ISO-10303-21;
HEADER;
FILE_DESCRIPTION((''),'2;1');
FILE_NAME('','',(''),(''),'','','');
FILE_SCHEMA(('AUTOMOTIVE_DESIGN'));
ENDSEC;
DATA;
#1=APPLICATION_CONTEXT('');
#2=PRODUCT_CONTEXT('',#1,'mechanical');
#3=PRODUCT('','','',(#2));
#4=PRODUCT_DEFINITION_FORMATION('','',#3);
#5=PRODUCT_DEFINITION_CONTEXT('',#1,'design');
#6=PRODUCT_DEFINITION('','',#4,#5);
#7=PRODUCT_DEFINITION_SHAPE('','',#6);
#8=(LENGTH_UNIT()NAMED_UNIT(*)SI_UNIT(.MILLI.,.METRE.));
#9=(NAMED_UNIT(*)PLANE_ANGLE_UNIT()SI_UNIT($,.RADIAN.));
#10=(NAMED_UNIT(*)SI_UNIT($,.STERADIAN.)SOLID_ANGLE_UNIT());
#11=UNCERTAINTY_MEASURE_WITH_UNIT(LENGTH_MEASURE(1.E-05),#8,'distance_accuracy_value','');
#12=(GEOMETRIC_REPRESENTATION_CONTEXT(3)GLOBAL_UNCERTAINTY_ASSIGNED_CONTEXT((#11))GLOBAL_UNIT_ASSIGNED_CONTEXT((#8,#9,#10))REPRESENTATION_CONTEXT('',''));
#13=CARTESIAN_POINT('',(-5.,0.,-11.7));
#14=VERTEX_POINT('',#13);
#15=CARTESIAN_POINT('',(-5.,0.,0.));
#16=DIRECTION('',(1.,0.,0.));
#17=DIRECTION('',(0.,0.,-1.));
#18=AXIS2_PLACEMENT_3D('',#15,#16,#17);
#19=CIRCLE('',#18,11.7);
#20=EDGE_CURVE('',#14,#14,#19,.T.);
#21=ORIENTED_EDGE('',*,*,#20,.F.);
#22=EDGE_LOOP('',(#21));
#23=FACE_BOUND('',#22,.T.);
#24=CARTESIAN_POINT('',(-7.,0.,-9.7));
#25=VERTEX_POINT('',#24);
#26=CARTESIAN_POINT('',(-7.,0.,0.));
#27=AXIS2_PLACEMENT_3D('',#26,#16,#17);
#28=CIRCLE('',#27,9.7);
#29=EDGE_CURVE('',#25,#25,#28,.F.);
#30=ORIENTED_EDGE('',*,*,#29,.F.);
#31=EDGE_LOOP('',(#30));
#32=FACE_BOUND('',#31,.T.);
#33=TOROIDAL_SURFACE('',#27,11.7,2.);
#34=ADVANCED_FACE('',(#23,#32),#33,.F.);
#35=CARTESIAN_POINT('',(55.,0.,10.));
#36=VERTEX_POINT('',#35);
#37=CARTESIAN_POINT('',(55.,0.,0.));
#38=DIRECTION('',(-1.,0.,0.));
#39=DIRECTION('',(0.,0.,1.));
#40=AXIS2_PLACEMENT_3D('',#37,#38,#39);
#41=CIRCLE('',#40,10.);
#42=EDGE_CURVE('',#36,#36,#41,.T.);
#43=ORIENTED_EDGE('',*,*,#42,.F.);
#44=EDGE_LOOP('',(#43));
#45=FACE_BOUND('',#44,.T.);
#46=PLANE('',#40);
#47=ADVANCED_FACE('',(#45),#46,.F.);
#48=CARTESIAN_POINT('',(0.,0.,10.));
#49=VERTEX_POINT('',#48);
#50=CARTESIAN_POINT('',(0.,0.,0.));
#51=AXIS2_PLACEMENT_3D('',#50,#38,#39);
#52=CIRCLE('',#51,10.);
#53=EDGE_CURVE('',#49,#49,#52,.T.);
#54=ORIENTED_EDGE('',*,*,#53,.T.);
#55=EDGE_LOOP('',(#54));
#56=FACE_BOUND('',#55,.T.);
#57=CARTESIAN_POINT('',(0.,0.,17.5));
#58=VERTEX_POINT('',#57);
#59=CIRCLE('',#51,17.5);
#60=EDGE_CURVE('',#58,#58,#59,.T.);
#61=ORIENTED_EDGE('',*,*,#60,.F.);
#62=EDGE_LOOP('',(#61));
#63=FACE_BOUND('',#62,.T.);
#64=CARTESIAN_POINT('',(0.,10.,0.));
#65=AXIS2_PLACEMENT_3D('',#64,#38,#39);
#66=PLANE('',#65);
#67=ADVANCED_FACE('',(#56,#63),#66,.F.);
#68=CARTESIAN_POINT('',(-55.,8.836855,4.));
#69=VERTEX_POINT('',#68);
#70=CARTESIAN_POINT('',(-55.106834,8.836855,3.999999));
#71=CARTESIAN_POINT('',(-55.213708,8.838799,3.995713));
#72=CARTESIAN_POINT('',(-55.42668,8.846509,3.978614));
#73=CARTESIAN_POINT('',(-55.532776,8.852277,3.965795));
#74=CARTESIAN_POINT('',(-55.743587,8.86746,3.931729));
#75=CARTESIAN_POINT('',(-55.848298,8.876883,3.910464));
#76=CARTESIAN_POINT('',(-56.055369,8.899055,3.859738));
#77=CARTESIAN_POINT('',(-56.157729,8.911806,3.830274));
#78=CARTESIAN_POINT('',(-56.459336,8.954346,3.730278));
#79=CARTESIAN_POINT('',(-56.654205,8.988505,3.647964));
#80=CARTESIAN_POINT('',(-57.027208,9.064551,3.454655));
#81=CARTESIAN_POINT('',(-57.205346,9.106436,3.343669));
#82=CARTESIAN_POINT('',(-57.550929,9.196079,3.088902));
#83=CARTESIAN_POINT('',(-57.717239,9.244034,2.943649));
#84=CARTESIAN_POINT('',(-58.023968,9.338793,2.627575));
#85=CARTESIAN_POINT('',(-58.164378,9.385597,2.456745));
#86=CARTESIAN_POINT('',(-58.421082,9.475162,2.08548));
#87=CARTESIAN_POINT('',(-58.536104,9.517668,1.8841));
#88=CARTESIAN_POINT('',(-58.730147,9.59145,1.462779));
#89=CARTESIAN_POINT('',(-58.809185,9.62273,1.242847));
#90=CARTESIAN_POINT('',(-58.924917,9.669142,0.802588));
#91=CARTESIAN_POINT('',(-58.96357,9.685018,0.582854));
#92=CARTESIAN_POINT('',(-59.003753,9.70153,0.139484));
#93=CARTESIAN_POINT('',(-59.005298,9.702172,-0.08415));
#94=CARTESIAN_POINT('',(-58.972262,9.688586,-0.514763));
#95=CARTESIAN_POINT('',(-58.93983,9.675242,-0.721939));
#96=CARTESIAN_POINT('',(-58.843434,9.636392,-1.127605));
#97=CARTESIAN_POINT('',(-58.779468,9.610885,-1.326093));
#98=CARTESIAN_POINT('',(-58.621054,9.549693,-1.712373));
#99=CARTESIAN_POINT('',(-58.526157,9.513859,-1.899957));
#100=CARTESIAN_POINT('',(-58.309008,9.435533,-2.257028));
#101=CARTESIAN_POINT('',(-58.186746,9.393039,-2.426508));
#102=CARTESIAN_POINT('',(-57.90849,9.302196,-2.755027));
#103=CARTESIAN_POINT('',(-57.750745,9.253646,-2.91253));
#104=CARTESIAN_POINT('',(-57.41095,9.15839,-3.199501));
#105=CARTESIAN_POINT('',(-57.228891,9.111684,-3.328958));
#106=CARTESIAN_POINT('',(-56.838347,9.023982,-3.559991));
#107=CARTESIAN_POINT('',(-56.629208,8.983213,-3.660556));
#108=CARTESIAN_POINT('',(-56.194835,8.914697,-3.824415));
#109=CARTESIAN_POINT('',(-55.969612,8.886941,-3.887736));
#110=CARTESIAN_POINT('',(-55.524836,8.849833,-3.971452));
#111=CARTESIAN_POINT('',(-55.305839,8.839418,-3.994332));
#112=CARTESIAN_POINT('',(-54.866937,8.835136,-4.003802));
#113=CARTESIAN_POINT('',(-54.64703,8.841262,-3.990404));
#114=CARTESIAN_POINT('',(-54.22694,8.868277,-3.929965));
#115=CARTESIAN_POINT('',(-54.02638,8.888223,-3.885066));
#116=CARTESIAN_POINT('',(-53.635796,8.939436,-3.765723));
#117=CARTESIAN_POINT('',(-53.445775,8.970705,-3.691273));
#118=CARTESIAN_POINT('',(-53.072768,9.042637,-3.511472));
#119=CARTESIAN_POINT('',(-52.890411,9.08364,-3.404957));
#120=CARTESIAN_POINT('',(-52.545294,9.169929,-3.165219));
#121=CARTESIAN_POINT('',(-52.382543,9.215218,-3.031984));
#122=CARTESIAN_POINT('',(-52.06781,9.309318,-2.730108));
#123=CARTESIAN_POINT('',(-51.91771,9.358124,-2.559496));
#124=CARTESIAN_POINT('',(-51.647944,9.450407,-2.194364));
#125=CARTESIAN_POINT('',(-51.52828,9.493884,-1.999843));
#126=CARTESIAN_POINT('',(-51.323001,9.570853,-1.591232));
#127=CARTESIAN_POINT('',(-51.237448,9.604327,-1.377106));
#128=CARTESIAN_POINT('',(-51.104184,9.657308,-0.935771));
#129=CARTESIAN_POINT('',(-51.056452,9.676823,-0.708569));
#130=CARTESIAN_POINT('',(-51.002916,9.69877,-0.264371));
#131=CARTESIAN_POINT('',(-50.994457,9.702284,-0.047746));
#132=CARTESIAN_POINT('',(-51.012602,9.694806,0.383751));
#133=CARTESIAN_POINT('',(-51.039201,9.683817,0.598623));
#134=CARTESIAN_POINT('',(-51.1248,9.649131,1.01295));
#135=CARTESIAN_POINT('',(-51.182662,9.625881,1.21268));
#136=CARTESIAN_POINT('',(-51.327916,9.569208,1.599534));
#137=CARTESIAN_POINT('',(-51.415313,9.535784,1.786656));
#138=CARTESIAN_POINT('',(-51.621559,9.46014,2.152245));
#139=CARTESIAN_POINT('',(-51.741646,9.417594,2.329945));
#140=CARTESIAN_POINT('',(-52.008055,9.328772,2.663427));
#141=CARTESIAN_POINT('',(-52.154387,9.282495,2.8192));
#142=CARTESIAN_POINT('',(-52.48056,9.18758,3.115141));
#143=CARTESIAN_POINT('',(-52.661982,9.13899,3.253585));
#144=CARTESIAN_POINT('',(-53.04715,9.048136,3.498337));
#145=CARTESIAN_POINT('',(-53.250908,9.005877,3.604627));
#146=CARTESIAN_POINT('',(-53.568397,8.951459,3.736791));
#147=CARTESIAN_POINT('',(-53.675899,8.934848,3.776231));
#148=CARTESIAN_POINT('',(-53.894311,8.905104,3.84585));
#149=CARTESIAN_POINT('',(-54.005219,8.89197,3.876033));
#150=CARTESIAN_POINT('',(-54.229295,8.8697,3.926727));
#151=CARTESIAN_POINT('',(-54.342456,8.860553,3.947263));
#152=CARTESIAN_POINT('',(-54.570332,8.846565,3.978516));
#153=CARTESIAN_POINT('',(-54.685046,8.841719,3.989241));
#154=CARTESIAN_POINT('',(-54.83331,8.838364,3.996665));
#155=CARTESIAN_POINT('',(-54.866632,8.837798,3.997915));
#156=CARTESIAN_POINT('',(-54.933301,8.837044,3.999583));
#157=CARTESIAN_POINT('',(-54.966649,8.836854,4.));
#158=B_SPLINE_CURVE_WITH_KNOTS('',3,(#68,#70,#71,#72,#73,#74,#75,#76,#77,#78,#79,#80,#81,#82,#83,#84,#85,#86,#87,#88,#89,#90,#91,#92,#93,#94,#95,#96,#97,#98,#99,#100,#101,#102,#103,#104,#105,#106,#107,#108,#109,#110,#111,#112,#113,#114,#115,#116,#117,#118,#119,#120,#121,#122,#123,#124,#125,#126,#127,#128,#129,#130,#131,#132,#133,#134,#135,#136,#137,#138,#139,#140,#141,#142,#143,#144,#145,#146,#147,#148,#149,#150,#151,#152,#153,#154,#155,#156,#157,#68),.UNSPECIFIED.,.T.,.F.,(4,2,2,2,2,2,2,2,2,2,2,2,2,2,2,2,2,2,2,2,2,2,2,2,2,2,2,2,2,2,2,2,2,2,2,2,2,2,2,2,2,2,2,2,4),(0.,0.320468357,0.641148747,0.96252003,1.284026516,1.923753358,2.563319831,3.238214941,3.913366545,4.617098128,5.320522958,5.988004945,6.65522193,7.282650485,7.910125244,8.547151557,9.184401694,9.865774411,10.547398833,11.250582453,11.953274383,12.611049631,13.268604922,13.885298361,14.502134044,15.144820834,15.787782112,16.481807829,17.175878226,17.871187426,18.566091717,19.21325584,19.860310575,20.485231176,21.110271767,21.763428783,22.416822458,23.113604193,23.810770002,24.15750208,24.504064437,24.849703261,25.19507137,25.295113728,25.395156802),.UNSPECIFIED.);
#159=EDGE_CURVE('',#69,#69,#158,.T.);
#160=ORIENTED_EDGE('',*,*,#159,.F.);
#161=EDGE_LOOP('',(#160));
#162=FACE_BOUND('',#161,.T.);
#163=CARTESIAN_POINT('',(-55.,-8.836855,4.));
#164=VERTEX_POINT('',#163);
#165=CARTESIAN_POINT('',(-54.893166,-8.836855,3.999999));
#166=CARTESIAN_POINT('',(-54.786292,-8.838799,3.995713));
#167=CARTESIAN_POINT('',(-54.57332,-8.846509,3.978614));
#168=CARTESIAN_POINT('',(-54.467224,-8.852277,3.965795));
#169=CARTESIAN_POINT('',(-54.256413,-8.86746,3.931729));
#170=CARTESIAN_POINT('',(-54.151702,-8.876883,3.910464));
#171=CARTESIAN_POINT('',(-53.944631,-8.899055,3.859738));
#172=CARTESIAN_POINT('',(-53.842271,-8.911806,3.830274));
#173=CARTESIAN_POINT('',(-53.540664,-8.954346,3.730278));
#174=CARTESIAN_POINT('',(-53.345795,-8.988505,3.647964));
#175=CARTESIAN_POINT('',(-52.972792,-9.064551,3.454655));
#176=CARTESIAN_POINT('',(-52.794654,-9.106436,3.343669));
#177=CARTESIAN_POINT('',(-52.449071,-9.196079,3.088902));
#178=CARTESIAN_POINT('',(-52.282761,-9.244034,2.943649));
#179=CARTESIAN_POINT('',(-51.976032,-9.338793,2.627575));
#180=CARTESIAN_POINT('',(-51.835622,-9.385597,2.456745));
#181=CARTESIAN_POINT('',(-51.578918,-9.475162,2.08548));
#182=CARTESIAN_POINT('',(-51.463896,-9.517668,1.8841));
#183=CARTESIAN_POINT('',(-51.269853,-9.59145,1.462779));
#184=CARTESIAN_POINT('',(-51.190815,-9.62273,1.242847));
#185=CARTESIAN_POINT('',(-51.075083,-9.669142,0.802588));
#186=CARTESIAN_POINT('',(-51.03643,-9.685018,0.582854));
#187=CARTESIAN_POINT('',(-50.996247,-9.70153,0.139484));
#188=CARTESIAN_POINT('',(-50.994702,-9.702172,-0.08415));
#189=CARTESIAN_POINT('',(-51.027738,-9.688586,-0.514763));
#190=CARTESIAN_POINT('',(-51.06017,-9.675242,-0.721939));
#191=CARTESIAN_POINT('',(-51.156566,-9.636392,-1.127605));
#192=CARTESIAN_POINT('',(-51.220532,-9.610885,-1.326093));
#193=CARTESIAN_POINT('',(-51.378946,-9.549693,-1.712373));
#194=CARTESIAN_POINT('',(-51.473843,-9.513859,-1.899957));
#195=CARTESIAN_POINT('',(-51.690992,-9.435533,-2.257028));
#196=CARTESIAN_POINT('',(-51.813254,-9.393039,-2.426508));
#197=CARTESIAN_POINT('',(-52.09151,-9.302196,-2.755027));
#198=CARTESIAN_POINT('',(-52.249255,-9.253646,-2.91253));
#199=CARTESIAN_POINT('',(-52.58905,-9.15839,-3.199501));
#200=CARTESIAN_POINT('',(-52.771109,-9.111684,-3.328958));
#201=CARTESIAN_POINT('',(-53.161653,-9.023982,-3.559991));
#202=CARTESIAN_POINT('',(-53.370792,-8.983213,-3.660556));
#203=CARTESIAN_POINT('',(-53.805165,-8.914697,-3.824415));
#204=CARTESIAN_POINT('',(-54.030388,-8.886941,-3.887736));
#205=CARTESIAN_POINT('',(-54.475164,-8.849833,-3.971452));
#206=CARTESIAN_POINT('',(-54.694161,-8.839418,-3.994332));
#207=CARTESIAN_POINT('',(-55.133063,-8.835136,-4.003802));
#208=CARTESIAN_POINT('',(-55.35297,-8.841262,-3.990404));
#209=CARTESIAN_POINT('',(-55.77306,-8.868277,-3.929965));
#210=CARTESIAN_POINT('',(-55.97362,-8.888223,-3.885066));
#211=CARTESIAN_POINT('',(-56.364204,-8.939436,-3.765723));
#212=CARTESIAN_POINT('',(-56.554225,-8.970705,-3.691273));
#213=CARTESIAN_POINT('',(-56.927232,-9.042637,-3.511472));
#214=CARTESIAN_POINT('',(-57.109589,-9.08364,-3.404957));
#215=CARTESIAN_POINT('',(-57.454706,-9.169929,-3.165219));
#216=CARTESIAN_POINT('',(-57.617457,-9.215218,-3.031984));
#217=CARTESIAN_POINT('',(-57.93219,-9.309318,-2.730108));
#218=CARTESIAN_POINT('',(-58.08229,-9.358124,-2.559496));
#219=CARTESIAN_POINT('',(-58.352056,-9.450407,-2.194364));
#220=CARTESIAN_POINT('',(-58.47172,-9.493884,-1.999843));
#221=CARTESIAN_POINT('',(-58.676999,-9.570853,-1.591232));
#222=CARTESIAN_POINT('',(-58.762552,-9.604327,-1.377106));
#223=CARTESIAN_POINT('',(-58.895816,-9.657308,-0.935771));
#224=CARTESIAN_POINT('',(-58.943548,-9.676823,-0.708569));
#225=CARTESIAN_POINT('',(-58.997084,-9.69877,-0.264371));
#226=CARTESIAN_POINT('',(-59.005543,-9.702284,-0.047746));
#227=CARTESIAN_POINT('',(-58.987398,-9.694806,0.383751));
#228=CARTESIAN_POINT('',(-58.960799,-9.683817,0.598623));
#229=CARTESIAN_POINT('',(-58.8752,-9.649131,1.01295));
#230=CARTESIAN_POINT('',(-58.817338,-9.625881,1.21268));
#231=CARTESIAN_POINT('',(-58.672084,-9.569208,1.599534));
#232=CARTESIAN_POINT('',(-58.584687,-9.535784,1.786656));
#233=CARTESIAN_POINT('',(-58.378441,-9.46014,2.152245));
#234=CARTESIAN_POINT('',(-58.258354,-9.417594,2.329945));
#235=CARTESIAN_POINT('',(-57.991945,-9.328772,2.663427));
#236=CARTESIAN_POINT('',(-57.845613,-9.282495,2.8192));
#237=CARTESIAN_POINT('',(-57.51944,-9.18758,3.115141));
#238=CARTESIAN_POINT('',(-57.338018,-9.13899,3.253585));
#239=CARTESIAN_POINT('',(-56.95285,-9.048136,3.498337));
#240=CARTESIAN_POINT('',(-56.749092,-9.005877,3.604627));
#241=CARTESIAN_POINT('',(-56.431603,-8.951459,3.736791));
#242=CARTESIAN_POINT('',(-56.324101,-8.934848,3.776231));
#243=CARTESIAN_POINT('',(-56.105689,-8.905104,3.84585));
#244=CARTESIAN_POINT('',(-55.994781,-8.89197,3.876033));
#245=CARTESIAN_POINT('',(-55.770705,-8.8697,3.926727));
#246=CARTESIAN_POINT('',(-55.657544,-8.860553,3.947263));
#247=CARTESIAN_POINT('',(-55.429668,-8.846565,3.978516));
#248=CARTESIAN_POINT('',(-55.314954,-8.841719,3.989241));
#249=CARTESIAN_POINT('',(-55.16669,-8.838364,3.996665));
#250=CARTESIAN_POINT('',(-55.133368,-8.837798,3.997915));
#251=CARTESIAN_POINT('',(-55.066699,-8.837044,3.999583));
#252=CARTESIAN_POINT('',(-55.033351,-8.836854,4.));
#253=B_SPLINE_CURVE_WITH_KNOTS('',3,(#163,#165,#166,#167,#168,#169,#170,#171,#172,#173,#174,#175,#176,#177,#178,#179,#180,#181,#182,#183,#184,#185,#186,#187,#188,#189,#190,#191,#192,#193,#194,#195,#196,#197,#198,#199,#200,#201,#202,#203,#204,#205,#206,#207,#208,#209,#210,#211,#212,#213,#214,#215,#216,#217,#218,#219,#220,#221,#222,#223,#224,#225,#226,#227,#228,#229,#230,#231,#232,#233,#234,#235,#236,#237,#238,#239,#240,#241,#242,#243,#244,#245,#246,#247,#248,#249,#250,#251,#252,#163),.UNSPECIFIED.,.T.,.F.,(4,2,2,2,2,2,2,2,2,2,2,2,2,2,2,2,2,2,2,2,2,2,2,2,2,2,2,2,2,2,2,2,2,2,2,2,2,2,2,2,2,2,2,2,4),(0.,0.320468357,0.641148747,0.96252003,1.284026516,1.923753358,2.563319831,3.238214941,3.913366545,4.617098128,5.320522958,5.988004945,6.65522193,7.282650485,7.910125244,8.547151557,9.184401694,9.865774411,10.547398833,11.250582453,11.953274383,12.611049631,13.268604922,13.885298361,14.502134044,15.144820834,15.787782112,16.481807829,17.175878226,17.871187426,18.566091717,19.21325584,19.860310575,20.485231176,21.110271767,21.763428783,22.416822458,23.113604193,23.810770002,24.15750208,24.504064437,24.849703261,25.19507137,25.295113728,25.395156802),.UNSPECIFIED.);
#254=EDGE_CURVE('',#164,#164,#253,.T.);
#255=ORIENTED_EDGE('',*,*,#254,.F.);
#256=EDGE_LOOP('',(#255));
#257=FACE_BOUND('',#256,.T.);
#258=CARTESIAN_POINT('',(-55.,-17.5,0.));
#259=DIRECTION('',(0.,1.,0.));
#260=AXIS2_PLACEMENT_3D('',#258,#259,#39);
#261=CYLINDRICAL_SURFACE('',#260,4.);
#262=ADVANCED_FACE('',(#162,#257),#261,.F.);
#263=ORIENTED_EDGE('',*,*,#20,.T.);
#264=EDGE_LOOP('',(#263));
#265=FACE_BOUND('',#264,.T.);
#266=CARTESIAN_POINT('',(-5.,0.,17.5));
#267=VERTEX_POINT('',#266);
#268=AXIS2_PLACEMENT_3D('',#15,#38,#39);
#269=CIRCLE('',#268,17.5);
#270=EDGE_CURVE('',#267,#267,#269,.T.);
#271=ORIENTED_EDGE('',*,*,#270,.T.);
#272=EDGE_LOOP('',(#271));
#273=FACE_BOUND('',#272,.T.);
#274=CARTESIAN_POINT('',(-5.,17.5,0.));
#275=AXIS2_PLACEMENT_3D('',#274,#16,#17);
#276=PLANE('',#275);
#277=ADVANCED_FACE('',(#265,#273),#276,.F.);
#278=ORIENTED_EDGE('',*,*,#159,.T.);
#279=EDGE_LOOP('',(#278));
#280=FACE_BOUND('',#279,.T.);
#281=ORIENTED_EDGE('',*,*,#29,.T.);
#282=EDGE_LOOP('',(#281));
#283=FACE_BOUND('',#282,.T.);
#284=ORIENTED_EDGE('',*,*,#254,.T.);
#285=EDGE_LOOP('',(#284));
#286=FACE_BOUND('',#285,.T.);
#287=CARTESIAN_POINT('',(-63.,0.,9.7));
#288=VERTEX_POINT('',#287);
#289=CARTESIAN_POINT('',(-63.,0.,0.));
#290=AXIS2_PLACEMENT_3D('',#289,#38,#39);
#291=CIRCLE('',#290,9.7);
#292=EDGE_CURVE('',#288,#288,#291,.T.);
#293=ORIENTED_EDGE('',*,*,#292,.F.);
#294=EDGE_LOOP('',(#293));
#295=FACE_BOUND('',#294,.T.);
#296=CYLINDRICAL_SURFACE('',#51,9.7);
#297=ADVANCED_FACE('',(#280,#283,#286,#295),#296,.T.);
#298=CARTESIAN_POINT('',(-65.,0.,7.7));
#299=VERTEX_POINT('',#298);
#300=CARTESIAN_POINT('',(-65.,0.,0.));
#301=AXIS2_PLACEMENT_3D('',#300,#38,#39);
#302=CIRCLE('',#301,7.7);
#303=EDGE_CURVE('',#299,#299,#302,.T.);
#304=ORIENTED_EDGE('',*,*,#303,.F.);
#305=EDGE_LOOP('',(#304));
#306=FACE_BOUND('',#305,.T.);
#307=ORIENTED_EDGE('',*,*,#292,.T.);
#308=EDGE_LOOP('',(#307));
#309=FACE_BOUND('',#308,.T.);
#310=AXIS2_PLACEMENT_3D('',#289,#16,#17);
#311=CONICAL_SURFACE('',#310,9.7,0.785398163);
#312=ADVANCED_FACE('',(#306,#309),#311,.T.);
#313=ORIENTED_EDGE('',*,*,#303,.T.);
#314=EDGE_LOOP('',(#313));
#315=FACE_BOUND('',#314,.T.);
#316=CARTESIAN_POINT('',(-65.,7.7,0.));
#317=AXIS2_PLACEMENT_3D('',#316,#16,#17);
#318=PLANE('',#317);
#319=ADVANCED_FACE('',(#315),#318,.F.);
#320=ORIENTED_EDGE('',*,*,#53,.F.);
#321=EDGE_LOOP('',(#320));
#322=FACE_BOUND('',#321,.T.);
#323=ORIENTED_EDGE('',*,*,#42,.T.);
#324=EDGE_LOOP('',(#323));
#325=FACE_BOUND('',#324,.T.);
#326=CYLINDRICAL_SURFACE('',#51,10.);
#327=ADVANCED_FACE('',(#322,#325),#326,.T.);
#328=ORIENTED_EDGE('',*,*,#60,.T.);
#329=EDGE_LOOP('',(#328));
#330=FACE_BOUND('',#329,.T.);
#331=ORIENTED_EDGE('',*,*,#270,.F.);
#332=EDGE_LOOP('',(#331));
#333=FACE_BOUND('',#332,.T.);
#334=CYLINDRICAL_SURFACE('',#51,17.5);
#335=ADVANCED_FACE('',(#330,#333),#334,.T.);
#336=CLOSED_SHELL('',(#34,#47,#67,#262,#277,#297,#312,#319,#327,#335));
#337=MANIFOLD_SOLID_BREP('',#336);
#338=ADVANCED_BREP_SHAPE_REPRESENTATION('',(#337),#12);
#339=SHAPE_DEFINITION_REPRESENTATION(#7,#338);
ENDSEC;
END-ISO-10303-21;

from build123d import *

# Parameters (mm, degrees)
CONG_1_R                     = 2
ESQUISSE2_R                  = 4
ENL_V_MAT_EXTRU_1_DEPTH      = 18.5
ENL_V_MAT_EXTRU_1_DEPTH_BACK = 18.5


with BuildPart() as part:
    # Esquisse1 → Révolution1 (revolve)
    with BuildSketch(Plane.XY, mode=Mode.PRIVATE) as r_volution1_sk:
        Polygon((55, 0), (55, 10), (0, 10), (0, 17.5), (-5, 17.5), (-5, 9.7), (-63, 9.7), (-65, 7.7), (-65, 0), align=None)
    revolve(r_volution1_sk.sketch.rotate(Axis((0, 0, 0), (1, 0, 0)), 90), axis=Axis((0, 0, 0), (1, 0, 0)))  # turned: the seam where the file's is

    # Congé1
    cong_1_edges = [part.edges().sort_by_distance(p)[0] for p in [
        (-5, 0, -9.7),
    ]]
    fillet(cong_1_edges, radius=CONG_1_R)

    # Esquisse2 → Enlèv. mat.-Extru.1 (cut, two sides)
    with BuildSketch(Plane(origin=(0, 0, 0), x_dir=(1, 0, 0), z_dir=(0, 1, 0))) as enl_v_mat_extru_1_sk:
        with Locations(Location((-55, 0, 0), (0, 0, 270))):  # turned: the seam where the file's is
            Circle(ESQUISSE2_R)
    extrude(amount=ENL_V_MAT_EXTRU_1_DEPTH, mode=Mode.SUBTRACT)
    extrude(enl_v_mat_extru_1_sk.sketch, amount=-ENL_V_MAT_EXTRU_1_DEPTH_BACK, mode=Mode.SUBTRACT)


solid = part.part
